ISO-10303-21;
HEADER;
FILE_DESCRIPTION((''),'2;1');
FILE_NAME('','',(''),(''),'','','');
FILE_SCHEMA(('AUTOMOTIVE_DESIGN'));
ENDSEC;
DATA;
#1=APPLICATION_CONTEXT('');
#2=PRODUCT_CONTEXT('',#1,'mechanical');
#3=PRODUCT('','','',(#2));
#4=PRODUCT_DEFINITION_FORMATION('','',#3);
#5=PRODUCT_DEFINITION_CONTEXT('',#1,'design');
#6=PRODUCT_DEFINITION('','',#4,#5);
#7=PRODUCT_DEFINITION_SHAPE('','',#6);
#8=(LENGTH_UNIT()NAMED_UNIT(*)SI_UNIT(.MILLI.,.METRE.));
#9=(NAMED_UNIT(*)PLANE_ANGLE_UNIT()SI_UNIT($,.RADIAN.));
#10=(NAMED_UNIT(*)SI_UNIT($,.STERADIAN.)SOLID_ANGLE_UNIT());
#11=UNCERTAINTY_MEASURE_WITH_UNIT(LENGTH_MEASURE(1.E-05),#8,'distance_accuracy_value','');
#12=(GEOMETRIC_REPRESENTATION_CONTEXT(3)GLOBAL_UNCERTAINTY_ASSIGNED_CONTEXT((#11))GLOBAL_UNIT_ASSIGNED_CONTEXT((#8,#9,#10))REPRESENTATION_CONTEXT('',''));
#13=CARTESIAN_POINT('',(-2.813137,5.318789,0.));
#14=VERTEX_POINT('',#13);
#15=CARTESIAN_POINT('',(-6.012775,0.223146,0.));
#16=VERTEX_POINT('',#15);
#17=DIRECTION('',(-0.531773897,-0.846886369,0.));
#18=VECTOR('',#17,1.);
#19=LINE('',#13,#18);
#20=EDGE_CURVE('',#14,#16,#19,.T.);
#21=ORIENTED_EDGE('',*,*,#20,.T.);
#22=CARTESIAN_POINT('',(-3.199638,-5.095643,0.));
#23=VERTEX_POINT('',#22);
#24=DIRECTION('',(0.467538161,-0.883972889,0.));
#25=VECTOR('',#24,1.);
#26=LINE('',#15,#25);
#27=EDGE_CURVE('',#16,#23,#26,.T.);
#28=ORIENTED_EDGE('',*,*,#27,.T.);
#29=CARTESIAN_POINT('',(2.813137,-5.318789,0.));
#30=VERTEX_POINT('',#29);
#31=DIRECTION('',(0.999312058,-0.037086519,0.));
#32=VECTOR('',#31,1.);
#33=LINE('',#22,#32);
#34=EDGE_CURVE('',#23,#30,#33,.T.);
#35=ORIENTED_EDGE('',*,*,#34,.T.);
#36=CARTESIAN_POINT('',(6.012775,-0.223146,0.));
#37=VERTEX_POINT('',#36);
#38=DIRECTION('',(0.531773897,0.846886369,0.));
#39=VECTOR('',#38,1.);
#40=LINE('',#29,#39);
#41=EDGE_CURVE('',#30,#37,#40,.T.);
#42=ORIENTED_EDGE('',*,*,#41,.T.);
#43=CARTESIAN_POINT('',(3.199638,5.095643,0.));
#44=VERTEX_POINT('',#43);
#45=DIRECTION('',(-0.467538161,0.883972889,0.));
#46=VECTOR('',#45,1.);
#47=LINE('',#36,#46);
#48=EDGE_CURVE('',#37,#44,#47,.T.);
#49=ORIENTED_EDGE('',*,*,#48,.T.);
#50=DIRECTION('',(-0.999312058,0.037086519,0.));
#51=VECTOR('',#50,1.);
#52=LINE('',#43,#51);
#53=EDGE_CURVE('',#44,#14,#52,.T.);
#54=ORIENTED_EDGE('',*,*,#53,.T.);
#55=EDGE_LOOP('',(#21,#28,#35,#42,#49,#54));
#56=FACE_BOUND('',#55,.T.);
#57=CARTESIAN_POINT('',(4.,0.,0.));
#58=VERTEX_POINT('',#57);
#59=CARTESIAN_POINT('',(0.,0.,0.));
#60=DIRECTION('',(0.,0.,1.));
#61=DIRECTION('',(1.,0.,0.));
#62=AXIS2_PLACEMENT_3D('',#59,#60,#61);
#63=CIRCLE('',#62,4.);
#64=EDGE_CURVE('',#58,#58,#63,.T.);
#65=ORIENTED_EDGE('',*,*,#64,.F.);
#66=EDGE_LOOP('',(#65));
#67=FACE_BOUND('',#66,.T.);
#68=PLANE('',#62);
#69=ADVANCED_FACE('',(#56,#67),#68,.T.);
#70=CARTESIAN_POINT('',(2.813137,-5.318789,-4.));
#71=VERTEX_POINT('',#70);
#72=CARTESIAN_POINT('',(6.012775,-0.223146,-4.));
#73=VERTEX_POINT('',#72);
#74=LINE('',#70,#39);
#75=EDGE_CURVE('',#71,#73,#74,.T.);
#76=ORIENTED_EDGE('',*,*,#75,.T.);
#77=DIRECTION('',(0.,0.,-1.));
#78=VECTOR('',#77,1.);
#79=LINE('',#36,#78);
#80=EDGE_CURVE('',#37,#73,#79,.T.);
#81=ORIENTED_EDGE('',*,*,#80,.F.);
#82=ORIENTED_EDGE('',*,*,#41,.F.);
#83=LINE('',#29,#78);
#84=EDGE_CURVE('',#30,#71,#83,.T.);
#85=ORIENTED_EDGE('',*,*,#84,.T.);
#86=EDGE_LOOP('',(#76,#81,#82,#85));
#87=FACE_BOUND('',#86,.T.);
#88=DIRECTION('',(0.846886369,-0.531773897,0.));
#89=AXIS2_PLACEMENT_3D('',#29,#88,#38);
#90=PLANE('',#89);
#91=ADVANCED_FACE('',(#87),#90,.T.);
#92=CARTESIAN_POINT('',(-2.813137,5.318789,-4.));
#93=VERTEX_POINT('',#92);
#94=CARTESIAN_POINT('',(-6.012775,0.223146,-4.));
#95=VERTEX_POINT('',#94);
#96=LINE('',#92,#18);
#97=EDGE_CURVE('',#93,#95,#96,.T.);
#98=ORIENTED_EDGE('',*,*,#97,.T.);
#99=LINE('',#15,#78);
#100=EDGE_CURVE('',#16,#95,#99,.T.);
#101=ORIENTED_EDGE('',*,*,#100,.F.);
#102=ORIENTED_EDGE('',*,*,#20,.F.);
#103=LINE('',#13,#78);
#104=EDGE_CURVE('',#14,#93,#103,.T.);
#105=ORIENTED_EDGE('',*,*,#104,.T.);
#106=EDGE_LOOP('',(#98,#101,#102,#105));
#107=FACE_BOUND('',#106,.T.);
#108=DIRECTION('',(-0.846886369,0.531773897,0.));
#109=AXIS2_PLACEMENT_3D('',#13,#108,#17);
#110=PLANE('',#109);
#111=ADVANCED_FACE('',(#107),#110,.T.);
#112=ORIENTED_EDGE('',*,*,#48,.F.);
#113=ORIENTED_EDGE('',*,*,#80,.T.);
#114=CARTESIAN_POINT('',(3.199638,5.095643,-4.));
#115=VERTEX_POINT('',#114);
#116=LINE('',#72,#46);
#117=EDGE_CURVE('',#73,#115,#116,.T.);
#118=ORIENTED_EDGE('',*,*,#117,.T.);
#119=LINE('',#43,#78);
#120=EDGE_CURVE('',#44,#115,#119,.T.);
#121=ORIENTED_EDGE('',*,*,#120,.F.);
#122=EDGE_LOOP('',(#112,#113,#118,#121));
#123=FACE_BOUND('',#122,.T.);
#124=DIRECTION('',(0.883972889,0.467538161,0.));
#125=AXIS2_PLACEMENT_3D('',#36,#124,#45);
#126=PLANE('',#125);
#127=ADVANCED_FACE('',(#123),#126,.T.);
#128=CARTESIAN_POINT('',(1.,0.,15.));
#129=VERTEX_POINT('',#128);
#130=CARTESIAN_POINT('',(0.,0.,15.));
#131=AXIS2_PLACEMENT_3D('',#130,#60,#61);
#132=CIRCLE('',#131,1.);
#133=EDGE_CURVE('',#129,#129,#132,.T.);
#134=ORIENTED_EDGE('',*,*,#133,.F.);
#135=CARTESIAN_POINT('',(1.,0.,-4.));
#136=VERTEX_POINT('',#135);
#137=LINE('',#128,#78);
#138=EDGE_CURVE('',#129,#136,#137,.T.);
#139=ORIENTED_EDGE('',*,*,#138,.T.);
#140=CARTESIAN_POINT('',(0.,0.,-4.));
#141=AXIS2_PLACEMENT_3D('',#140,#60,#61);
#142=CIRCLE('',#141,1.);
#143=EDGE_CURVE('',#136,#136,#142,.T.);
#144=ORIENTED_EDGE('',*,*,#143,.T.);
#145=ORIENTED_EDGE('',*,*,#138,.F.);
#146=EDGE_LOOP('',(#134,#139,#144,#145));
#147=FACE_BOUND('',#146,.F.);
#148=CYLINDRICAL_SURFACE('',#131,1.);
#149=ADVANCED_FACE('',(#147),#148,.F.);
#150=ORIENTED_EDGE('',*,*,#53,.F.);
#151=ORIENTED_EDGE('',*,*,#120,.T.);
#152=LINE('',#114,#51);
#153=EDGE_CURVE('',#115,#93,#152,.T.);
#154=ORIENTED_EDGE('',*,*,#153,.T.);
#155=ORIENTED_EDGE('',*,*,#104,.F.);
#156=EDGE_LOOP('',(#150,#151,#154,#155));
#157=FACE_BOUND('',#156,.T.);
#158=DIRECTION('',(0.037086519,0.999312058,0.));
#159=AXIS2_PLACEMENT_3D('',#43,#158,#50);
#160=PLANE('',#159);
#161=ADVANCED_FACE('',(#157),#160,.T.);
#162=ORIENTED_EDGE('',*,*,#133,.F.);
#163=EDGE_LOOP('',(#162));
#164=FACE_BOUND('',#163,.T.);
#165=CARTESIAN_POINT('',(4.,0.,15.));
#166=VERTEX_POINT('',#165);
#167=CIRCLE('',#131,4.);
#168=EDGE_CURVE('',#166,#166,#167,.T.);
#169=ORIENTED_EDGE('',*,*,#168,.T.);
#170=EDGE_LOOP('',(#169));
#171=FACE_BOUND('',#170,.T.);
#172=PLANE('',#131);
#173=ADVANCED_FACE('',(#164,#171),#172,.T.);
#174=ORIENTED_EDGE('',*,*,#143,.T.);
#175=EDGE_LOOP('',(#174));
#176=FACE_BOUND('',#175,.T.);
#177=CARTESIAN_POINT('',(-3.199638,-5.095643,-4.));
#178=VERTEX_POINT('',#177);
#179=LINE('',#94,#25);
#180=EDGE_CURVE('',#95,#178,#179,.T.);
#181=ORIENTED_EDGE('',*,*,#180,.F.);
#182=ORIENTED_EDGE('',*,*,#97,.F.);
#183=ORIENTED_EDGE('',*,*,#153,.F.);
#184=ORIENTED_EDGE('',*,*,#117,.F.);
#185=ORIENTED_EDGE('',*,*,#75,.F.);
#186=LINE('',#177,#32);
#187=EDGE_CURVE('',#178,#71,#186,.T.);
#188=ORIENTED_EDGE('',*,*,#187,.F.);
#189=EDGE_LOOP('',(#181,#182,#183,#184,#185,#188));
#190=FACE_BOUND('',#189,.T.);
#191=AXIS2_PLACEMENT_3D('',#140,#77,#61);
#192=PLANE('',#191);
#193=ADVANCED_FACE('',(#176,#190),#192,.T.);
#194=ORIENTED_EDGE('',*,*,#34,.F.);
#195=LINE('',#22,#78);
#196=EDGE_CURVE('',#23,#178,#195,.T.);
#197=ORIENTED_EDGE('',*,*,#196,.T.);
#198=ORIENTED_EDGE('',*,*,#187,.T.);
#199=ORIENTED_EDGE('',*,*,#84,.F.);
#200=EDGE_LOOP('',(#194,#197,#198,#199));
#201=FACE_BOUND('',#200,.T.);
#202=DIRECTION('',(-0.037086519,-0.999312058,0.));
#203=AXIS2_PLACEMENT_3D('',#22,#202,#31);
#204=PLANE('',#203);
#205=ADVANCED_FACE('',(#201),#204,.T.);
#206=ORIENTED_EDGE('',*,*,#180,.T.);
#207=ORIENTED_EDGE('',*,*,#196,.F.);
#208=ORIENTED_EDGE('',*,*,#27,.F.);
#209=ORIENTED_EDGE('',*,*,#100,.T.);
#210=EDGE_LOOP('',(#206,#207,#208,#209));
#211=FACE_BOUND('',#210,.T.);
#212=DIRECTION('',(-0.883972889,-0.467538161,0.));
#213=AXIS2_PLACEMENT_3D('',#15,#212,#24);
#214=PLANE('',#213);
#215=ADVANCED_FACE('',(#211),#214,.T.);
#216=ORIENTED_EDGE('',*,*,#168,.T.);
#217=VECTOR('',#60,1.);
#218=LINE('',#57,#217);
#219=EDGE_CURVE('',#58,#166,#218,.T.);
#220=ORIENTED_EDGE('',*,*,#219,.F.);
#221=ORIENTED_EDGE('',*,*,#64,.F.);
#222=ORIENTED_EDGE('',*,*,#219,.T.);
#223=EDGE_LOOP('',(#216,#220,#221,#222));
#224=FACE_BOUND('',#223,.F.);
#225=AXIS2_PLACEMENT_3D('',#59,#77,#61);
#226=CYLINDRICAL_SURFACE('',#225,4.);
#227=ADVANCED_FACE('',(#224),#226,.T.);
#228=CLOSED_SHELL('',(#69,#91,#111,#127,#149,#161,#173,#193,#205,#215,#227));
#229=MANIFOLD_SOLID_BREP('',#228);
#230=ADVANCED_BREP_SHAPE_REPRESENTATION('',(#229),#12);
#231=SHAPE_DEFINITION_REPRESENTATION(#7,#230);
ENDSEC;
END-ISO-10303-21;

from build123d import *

# Parameters (mm, degrees)
F0_R      = 4
F1_DEPTH  = 15
F1_FACE_R = 4
F2_DEPTH  = 4
F3_R      = 1
F4_DEPTH  = 19.001


with BuildPart() as f1:
    # F0 (on Top) → F1 (new body)
    with BuildSketch(Plane.XY):
        Circle(F0_R)
    extrude(amount=F1_DEPTH)

    # F1_face (on face) + F0 (on Top) → F2 (join)
    with BuildSketch(Plane(origin=(0, 0, 0), x_dir=(1, 0, 0), z_dir=(0, 0, -1))):
        Circle(F1_FACE_R)
    with BuildSketch(Plane.XY):
        Polygon((6.0127749436, -0.2231464057), (3.1996379279, 5.0956426455), (-2.8131370157, 5.3187890512), (-6.0127749436, 0.2231464057), (-3.1996379279, -5.0956426455), (2.8131370157, -5.3187890512), align=None)
        Circle(F0_R, mode=Mode.SUBTRACT)
    extrude(amount=F2_DEPTH, dir=(0, 0, -1))

    # F3 (on face) → F4 (cut, through all)
    with BuildSketch(Plane.XY.offset(15)):
        Circle(F3_R)
    extrude(amount=-F4_DEPTH, mode=Mode.SUBTRACT)


solid = f1.part
